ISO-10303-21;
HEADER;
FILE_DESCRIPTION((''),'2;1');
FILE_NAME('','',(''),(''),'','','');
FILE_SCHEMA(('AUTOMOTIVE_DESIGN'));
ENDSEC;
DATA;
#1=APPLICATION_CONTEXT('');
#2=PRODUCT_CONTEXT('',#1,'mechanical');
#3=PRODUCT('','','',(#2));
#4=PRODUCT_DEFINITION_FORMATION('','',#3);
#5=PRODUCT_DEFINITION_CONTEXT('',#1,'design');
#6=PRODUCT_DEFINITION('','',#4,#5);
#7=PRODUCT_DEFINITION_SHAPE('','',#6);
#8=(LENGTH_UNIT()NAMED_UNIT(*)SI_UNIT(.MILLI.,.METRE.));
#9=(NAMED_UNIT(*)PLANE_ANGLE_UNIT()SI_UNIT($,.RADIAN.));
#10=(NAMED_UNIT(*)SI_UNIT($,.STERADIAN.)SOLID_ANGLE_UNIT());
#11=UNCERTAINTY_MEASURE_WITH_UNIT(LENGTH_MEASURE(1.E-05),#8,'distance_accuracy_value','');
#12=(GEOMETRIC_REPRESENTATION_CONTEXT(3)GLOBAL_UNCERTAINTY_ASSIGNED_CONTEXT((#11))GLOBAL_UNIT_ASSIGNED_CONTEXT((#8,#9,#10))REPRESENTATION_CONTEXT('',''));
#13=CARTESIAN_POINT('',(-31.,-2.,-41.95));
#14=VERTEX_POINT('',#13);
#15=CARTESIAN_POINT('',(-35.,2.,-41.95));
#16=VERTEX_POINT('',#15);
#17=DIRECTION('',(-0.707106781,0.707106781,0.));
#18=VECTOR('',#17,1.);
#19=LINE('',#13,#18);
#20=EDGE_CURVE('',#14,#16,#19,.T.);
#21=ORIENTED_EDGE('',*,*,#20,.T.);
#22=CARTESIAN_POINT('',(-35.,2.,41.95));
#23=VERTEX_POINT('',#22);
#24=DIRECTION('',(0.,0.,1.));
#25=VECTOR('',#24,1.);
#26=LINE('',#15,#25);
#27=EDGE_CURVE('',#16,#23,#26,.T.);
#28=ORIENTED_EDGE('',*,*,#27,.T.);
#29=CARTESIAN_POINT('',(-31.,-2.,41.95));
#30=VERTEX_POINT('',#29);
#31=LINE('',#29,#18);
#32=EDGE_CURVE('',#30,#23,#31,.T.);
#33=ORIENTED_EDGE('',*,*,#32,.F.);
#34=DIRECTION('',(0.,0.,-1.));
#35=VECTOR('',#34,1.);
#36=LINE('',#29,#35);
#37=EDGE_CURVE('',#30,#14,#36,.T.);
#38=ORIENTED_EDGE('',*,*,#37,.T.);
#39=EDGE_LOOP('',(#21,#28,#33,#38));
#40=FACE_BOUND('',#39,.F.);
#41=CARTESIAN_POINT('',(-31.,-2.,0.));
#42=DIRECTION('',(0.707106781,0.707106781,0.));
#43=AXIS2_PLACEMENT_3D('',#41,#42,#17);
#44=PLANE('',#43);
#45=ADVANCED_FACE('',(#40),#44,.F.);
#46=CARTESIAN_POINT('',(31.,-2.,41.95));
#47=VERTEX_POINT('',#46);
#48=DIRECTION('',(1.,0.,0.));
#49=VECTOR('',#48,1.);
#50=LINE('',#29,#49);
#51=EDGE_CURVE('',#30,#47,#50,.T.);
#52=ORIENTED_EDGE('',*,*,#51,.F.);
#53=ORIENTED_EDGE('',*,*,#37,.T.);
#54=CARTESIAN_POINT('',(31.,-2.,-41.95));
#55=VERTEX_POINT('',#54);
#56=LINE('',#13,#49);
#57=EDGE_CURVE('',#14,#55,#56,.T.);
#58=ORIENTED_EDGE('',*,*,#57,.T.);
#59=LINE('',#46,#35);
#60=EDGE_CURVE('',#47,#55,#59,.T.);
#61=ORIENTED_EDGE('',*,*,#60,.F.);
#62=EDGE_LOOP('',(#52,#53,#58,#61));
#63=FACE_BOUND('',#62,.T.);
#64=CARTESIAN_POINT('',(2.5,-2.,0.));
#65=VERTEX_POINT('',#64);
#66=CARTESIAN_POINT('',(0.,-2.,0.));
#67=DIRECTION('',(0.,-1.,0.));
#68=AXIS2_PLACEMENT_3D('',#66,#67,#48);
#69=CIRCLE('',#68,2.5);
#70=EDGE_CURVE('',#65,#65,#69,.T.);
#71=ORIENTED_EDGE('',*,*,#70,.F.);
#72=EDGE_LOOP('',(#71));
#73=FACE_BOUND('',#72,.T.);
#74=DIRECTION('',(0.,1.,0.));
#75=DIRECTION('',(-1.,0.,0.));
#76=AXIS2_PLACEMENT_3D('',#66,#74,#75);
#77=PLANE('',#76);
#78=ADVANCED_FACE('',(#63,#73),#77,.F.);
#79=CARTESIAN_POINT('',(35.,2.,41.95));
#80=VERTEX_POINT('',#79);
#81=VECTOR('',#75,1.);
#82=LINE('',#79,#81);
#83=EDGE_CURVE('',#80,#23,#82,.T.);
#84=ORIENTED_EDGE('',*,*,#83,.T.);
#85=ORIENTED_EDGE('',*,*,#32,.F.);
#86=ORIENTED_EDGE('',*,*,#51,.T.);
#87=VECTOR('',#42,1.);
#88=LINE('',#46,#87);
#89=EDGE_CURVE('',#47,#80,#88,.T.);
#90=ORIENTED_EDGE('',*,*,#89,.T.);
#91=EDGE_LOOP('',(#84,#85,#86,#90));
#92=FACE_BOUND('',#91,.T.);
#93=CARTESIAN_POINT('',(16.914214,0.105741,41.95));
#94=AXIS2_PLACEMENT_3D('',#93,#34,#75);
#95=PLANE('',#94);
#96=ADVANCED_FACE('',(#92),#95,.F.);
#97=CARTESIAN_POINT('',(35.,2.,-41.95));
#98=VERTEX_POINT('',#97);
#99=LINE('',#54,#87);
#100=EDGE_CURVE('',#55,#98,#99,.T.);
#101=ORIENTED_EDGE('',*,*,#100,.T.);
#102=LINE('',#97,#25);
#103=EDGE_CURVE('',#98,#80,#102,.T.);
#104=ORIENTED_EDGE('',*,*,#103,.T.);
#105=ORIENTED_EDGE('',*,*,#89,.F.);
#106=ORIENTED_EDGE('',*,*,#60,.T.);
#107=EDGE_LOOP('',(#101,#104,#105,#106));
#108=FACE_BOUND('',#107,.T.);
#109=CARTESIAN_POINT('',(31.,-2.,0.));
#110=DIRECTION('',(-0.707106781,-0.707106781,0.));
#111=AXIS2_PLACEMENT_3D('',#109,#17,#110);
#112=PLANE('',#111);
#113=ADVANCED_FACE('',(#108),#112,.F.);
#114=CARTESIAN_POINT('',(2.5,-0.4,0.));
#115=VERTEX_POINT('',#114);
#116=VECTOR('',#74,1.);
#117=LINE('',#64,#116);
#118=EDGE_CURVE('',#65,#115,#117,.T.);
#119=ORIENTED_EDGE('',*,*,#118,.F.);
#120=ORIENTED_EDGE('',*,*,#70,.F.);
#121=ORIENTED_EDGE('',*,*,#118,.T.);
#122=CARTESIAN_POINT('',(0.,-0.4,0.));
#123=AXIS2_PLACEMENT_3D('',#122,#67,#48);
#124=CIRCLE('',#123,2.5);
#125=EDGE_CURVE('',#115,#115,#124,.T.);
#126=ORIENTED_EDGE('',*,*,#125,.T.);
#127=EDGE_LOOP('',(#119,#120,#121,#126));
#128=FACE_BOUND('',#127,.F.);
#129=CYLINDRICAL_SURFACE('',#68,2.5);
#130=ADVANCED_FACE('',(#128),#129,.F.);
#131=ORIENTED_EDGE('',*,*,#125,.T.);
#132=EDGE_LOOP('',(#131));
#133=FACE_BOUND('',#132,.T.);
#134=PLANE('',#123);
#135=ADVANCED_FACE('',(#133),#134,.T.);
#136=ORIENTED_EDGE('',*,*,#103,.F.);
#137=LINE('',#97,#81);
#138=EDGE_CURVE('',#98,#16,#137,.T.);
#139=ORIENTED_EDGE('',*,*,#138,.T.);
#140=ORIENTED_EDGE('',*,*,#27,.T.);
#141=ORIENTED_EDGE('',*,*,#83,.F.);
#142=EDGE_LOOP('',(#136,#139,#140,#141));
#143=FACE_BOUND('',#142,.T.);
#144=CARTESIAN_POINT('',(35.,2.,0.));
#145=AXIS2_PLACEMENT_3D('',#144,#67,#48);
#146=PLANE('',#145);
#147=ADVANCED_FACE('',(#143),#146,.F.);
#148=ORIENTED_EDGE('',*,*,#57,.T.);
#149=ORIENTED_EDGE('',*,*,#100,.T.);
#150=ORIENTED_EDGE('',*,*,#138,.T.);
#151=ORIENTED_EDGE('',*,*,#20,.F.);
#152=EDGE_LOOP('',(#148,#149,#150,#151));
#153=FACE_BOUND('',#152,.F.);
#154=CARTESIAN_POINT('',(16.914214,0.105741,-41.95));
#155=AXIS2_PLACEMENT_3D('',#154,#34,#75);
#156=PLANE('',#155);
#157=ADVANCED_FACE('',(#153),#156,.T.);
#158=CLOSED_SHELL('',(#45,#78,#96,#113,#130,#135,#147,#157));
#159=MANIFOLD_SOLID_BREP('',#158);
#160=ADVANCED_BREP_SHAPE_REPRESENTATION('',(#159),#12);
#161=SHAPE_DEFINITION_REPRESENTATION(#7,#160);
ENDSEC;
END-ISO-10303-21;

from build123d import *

# Parameters (mm, degrees)
PAD_DEPTH    = 41.95
SKETCH001_R  = 2.5
POCKET_DEPTH = 1.6


with BuildPart() as part:
    # Sketch (on XY_Plane of Origin) → Pad (new body, symmetric)
    with BuildSketch(Plane.XY):
        Polygon((0, 2), (0, -2), (-31, -2), (-35, 2), align=None)
    extrude(amount=PAD_DEPTH, both=True)

    # Mirrored: part across YZ


with BuildPart() as part_1:
    add(part.part)
    add(part.part.mirror(Plane.YZ))

    # Sketch001 (on Face2 of Mirrored) → Pocket (cut)
    with BuildSketch(Plane.XZ.offset(2)):
        Circle(SKETCH001_R)
    extrude(amount=-POCKET_DEPTH, mode=Mode.SUBTRACT)


solid = part_1.part
